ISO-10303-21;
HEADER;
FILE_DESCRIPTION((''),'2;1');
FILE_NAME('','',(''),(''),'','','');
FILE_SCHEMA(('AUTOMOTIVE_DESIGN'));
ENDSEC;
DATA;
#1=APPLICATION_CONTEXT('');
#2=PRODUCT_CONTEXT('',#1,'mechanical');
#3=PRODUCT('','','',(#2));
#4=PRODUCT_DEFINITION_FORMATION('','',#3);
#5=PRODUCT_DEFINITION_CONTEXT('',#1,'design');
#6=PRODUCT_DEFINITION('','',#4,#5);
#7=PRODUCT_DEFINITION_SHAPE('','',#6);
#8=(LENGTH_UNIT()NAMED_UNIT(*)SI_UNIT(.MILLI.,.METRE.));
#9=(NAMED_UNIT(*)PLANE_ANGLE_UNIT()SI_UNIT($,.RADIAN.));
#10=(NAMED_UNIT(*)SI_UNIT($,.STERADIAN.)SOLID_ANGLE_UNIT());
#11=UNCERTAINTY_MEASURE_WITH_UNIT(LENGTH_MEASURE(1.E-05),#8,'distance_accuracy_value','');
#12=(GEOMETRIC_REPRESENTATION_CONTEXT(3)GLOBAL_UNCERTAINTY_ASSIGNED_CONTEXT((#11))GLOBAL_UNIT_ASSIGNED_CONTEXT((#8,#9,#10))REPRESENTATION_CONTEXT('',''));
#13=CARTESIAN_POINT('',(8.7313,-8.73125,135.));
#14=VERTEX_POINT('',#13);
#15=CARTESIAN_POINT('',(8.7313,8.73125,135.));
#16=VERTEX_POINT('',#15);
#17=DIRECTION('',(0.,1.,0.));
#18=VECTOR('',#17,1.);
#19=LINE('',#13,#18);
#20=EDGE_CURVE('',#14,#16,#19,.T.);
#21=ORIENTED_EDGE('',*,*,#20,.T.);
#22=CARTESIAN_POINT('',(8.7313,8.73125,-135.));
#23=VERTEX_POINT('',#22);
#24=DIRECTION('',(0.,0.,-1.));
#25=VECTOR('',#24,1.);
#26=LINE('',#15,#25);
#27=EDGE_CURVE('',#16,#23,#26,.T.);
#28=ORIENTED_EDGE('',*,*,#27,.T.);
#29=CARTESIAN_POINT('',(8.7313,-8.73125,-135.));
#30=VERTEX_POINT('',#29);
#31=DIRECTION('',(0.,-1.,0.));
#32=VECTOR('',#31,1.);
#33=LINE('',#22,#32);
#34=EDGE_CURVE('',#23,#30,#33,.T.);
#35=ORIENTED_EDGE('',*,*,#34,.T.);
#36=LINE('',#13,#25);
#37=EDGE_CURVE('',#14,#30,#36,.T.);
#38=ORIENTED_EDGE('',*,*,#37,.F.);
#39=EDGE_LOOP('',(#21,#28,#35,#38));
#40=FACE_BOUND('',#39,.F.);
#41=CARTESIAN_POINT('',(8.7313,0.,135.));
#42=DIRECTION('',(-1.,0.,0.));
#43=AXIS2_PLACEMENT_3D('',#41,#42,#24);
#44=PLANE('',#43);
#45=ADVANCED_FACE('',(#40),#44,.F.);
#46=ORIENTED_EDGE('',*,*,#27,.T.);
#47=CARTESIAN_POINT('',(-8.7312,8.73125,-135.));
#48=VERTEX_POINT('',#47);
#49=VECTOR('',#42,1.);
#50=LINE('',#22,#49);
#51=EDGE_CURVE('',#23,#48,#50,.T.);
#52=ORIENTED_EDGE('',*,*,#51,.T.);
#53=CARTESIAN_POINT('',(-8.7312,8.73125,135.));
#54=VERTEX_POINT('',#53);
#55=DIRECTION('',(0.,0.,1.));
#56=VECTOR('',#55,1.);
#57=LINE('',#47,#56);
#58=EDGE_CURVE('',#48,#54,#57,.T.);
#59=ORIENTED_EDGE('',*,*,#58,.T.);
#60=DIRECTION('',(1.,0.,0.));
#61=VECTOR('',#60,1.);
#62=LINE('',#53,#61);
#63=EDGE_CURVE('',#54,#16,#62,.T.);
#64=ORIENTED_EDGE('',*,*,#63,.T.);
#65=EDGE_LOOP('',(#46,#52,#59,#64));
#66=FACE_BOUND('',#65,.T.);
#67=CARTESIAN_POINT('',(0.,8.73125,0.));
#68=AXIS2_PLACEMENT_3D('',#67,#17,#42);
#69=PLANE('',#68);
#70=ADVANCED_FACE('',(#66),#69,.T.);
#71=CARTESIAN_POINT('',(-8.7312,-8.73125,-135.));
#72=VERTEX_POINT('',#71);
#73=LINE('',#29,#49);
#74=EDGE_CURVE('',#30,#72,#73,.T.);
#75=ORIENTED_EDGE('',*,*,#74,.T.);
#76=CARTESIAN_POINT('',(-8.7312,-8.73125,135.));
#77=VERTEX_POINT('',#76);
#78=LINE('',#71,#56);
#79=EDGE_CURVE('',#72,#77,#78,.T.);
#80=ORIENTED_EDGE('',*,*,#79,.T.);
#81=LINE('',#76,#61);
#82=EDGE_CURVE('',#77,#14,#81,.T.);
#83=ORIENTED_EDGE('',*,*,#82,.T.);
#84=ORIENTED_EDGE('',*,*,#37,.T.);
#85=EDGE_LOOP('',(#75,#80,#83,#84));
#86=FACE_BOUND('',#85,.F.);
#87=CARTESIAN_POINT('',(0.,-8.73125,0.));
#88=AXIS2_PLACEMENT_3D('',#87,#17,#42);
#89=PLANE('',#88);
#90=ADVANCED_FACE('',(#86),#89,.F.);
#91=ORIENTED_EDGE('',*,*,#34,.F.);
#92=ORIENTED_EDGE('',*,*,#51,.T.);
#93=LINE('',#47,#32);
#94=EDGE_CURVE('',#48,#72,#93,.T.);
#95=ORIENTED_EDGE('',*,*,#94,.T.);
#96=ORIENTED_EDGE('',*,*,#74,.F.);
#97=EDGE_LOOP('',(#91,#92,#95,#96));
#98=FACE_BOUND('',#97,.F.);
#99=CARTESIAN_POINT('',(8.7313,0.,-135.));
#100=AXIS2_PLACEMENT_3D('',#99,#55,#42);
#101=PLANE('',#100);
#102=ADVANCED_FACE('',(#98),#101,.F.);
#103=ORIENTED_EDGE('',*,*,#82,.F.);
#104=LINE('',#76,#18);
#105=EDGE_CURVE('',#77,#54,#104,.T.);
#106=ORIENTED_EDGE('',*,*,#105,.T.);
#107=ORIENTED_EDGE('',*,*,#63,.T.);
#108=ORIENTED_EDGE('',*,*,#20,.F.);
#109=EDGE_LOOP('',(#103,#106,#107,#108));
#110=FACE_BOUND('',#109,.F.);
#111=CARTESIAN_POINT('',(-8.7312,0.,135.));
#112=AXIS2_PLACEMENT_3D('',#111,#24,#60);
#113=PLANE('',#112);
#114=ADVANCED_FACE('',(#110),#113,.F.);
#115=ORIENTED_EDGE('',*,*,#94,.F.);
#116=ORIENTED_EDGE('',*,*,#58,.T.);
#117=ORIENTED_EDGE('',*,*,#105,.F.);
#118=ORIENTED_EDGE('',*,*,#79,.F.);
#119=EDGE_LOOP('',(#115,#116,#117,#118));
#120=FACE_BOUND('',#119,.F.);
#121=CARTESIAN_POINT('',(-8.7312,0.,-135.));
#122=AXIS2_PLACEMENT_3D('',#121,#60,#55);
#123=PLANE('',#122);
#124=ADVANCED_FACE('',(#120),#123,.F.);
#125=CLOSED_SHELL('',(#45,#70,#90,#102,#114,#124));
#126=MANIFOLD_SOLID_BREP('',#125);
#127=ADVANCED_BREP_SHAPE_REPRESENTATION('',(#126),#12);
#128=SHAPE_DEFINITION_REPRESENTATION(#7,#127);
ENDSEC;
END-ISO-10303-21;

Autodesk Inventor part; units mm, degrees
ref_plane "YZ Plane" through (0, 0, 0) normal (1, 0, 0) x (0, 1, 0)
ref_plane "XZ Plane" through (0, 0, 0) normal (0, 1, 0) x (-1, 0, 0)
ref_plane "XY Plane" through (0, 0, 0) normal (0, 0, 1) x (1, 0, 0)
sketch "Sketch1" plane through (0, 0, 0) normal (0, 1, 0) x (-1, 0, 0)
  line L0 (8.7312, 135) -> (-8.7313, 135)
  line L1 (-8.7313, 135) -> (-8.7313, -135)
  line L2 (-8.7313, -135) -> (8.7312, -135)
  line L3 (8.7312, -135) -> (8.7312, 135)
  line L4 (8.7312, 135) -> (-8.7313, -135) construction
  line L5 (-8.7313, 135) -> (8.7312, -135) construction
  point P0 (0, 0)
  dimension "d0" = 270
  dimension "d1" = 17.4625
extrude "Extrusion1" add sketch "Sketch1" along normal mid plane 17.4625
sketch "Sketch2" plane through (8.7313, -8.7313, -135) normal (1, 0, 0) x (0, 0, -1)
  line L0 (0, 0) -> (0, 17.4625) projected
  line L1 (-270, 17.4625) -> (-270, 0) projected
  point P0 (-135, 8.7313)
  dimension "d4" = 270
equation "\"StockSize\" = 38.1"
properties part number "BaseLarge" material "Wood (Walnut)"
